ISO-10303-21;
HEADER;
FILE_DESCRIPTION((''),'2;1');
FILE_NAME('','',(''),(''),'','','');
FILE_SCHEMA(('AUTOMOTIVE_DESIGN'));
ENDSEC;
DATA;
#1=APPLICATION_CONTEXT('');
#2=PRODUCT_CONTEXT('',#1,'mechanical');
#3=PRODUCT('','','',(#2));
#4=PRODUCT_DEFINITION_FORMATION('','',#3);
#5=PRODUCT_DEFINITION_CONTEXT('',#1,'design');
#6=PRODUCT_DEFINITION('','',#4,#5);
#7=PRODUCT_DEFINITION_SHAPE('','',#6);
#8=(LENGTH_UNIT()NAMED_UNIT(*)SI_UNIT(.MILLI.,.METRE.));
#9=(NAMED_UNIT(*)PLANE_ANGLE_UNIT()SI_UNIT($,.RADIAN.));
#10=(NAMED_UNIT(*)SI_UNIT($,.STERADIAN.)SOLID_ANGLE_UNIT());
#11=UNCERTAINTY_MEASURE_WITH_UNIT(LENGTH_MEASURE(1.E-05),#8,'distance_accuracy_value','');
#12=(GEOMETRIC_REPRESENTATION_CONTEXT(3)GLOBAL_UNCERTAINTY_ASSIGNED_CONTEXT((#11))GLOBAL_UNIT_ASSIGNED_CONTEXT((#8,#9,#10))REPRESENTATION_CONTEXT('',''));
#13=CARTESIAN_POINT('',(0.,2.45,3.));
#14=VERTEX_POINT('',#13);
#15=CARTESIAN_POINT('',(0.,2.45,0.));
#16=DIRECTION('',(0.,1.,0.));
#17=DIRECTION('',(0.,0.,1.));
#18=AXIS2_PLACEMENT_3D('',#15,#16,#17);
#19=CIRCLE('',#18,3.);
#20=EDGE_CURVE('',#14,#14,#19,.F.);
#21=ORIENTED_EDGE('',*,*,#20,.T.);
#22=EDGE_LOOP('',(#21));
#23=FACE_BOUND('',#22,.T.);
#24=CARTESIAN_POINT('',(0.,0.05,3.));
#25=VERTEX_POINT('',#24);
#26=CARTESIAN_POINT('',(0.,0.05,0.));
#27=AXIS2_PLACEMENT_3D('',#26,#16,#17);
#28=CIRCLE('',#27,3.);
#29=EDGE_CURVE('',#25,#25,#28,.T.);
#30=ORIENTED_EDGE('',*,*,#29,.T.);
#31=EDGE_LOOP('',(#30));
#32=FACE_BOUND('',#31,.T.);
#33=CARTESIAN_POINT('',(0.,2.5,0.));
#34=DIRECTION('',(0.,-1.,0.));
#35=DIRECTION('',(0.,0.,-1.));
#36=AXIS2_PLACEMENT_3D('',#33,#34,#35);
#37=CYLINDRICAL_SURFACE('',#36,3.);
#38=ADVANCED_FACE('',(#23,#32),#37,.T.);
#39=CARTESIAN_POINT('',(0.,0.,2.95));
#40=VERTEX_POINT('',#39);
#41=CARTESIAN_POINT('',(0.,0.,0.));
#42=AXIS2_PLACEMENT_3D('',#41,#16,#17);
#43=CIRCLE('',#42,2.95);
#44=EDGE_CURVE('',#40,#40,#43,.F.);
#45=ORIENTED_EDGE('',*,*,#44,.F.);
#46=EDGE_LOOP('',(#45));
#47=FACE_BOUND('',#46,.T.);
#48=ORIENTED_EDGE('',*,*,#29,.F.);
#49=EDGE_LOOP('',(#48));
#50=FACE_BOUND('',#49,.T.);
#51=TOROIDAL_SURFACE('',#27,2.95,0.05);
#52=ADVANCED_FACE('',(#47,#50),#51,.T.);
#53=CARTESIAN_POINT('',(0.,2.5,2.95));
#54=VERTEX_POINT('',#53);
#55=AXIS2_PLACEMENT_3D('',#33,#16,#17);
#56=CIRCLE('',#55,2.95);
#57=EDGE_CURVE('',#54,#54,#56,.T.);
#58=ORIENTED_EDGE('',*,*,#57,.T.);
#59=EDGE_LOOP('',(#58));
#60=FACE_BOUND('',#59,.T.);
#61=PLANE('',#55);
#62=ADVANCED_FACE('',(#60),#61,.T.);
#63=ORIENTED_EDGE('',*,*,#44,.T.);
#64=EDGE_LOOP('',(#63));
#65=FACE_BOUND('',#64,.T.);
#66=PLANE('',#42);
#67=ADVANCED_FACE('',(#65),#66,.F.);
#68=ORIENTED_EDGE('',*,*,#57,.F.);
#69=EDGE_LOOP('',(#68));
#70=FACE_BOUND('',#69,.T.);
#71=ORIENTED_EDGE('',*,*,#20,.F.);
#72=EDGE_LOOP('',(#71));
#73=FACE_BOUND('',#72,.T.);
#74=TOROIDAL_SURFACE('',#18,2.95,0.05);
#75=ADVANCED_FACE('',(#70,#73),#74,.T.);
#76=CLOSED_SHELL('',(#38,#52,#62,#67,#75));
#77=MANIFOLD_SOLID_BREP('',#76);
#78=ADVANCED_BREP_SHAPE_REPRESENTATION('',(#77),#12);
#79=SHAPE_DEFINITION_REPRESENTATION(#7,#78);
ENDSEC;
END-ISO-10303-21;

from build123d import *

# Parameters (mm, degrees)
SKETCH_1_R      = 3
EXTRUDE_1_DEPTH = 2.5
FILLET_1_R      = 0.05
FILLET_2_R      = 0.05


with BuildPart() as part:
    # Эскиз1 → Бобышка-Вытянуть1 (new body)
    with BuildSketch(Plane(origin=(0, 0, 0), x_dir=(1, 0, 0), z_dir=(0, 1, 0))):
        with Locations(Location((0, 0, 0), (0, 0, 270))):
            Circle(SKETCH_1_R)
    extrude(amount=EXTRUDE_1_DEPTH)

    # Скругление1
    fillet_1_edges = [part.edges().sort_by_distance(p)[0] for p in [
        (0, 2.5, -3),
    ]]
    fillet(fillet_1_edges, radius=FILLET_1_R)

    # Скругление2
    fillet_2_edges = [part.edges().sort_by_distance(p)[0] for p in [
        (0, 0, -3),
    ]]
    fillet(fillet_2_edges, radius=FILLET_2_R)


solid = part.part
